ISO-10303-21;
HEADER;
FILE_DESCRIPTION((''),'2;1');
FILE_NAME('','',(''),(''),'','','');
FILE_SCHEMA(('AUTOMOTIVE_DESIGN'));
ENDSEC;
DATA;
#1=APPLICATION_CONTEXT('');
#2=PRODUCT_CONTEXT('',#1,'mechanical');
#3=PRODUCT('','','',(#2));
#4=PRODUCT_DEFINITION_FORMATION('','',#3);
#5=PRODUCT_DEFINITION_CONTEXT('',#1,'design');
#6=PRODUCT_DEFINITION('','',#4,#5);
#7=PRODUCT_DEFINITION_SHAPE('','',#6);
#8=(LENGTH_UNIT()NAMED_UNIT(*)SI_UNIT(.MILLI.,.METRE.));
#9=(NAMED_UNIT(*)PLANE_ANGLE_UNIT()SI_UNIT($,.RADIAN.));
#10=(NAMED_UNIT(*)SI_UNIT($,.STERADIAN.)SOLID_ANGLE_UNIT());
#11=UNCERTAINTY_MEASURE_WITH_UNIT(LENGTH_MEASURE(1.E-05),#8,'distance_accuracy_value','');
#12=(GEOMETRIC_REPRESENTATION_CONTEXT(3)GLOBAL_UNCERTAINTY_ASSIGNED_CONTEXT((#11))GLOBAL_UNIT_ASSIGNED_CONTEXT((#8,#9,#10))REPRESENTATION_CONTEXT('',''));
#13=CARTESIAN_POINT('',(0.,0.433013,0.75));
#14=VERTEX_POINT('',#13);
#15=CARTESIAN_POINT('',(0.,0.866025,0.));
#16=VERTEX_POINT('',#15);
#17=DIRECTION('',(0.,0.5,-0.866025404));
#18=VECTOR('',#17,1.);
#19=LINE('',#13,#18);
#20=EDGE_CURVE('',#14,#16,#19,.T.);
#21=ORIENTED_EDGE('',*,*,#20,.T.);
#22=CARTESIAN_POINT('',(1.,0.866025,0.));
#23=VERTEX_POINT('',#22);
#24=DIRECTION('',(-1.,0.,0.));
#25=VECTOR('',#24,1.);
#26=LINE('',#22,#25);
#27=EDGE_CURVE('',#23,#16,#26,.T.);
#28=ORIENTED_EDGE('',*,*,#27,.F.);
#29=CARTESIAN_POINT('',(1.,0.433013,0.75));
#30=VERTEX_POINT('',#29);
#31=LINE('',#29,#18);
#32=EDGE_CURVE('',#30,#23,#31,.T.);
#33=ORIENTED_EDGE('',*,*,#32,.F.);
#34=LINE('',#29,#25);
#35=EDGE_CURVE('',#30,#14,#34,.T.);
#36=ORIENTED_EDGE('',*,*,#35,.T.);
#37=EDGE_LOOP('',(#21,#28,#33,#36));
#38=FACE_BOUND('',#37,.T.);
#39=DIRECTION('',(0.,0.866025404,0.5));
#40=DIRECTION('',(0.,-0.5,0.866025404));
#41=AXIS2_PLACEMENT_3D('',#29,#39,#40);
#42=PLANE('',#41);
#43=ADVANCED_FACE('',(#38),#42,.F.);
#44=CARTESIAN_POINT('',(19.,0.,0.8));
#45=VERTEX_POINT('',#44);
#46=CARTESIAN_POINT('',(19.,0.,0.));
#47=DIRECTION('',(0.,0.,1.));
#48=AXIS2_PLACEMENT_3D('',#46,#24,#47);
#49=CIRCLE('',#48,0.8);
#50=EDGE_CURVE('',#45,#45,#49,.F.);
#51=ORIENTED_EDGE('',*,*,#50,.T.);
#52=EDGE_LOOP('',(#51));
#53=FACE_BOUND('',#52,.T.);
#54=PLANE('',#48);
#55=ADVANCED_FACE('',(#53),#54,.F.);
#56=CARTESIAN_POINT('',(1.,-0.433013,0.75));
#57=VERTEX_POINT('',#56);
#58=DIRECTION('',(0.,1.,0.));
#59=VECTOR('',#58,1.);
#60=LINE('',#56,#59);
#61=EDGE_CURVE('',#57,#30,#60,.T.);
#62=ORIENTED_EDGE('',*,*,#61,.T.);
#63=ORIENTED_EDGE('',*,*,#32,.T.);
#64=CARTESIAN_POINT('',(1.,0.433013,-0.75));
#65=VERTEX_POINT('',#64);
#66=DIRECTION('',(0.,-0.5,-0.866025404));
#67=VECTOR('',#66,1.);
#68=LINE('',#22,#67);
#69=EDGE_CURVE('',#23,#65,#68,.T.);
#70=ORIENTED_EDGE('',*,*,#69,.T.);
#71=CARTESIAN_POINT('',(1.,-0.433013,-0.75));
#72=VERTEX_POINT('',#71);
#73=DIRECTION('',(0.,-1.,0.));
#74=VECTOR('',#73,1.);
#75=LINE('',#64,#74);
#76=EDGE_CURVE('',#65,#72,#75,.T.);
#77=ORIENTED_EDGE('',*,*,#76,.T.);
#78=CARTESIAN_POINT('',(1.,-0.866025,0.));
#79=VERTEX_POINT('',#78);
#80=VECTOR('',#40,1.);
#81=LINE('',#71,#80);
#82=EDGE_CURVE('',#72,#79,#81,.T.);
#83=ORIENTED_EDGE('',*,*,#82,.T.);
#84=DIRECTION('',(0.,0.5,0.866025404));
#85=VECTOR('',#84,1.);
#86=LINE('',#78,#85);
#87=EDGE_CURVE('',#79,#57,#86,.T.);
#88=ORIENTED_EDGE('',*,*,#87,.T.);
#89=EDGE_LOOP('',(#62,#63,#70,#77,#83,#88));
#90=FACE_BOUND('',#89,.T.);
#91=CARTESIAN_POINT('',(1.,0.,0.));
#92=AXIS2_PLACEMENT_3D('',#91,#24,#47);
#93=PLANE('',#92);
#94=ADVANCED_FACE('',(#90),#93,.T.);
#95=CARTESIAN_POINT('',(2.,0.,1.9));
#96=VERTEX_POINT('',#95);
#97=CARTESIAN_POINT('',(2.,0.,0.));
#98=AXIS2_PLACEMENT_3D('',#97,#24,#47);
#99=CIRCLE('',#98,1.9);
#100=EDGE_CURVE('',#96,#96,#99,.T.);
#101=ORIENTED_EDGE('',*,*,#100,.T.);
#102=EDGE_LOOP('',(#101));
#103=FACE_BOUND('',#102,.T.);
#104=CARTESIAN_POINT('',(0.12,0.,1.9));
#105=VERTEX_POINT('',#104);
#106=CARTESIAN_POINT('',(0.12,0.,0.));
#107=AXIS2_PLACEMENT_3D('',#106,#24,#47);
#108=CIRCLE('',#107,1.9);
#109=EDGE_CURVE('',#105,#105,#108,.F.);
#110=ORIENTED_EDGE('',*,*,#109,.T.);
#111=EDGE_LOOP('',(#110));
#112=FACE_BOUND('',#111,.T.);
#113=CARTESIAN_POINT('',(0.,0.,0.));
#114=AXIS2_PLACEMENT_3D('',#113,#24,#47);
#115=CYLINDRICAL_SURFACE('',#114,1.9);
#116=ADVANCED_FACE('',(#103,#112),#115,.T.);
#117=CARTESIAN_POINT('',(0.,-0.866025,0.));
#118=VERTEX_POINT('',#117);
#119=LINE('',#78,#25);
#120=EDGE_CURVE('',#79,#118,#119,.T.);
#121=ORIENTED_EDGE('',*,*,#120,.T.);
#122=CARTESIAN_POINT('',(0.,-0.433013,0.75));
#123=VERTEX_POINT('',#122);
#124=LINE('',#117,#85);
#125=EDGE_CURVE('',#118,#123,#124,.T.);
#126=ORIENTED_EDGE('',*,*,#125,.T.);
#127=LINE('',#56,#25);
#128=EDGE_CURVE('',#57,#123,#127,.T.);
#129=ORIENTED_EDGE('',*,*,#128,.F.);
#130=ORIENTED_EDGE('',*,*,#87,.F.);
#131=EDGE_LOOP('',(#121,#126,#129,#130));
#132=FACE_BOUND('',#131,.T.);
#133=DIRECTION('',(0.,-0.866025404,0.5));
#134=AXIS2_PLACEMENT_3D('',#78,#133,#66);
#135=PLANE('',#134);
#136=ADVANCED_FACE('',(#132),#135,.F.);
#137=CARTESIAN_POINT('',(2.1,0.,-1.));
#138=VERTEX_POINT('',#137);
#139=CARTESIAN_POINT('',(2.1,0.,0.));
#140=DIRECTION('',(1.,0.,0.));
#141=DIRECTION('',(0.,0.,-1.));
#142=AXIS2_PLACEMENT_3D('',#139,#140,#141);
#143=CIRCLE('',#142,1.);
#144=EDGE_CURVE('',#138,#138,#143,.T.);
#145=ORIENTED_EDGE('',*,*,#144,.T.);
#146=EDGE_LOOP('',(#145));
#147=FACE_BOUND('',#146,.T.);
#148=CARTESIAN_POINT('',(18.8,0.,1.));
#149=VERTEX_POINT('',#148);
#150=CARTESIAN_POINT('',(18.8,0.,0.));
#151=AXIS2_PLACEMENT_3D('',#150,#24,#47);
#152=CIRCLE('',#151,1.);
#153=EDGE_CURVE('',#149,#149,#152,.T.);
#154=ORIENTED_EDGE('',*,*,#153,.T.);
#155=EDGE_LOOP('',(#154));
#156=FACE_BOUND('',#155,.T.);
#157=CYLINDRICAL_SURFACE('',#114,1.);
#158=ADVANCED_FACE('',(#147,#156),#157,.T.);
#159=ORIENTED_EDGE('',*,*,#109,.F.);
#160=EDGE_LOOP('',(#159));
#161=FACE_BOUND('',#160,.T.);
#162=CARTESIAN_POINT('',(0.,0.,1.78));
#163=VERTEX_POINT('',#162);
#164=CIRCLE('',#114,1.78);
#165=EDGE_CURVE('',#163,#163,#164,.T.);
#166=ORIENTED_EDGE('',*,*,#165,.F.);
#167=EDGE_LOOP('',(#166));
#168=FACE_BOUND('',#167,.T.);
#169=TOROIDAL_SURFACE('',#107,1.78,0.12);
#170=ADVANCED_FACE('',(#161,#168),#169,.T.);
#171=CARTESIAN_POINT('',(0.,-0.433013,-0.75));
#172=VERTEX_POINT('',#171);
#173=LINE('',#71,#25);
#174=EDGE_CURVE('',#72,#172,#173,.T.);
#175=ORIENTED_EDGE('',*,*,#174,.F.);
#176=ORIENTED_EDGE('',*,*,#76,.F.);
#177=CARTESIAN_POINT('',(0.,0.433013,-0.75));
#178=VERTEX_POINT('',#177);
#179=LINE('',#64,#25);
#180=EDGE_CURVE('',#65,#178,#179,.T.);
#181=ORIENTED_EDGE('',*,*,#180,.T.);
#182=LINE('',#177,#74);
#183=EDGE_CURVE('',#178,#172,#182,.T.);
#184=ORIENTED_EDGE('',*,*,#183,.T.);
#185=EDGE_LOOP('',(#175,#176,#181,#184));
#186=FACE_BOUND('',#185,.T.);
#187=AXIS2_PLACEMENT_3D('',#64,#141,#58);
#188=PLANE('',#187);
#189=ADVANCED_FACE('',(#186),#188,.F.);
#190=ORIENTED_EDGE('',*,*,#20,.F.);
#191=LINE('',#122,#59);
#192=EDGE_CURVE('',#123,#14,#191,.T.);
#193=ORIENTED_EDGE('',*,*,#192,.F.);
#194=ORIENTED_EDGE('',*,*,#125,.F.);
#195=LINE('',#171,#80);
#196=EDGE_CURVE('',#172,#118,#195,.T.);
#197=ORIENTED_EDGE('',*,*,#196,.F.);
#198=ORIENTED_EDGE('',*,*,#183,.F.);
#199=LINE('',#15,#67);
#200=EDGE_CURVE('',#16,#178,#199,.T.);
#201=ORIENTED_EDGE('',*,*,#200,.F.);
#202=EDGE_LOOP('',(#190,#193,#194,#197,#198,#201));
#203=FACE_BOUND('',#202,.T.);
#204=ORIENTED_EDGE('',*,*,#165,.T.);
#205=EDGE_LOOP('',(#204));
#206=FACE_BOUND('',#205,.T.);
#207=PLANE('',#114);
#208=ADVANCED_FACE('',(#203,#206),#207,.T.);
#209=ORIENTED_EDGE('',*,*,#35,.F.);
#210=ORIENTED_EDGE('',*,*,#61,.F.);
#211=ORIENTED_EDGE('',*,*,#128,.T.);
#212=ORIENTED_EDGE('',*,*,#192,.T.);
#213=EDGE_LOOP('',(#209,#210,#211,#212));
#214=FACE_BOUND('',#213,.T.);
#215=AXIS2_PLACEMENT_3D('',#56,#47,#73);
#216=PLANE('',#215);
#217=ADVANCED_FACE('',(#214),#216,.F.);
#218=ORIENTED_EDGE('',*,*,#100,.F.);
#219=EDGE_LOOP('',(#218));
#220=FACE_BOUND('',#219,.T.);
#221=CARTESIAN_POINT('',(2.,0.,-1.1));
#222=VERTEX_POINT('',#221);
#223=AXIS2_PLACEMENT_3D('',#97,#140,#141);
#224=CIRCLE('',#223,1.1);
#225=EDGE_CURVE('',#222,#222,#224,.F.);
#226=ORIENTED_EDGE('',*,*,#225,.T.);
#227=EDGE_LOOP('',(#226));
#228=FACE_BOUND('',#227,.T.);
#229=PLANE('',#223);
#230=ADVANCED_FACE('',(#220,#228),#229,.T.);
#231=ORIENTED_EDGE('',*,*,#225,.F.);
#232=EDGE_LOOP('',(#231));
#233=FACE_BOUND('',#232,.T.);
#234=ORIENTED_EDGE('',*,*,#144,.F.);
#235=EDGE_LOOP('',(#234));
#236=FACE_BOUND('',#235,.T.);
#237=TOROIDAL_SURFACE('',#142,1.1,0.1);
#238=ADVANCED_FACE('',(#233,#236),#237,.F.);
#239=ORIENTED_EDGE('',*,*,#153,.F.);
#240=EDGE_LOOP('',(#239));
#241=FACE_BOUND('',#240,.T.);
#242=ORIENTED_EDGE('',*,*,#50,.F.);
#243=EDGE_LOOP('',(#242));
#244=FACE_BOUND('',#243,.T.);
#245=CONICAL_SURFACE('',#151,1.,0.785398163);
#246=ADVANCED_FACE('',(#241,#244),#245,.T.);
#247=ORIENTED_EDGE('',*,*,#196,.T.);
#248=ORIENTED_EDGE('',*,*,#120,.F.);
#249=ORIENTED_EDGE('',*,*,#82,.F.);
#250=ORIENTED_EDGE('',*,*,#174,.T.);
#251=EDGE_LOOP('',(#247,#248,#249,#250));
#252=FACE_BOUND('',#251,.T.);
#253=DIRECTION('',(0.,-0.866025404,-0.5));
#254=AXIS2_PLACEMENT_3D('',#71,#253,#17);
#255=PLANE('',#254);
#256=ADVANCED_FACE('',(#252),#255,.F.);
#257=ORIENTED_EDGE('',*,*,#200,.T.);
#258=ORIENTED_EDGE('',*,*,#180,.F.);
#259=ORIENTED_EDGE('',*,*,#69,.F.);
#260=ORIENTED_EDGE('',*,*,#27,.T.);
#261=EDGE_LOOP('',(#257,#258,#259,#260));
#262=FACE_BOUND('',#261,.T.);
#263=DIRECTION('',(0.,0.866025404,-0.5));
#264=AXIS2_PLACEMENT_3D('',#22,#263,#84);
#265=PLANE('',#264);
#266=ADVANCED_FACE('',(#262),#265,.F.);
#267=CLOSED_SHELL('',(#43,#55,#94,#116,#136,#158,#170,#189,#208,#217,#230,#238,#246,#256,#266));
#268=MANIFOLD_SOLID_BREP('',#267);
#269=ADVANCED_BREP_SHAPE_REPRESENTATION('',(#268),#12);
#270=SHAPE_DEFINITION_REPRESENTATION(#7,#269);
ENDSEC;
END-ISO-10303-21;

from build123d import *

# Parameters (mm, degrees)
FILLET1_R      = 0.1
FILLET2_R      = 0.12
CHAMFER1_SIZE  = 0.2
EXTRUDE1_DEPTH = 1


with BuildPart() as part:
    # Sketch1 → Revolve1 (revolve)
    with BuildSketch(Plane.XY, mode=Mode.PRIVATE) as revolve1_sk:
        Polygon((2, 1), (2, 0), (4.279914881, 0), (19, 0), (19, 1), align=None)
        Polygon((0, 1.9), (0, 0), (2, 0), (2, 1), (2, 1.9), align=None)
    revolve(revolve1_sk.sketch.rotate(Axis((0, 0, 0), (1, 0, 0)), 90), axis=Axis((0, 0, 0), (1, 0, 0)))

    # Fillet1
    fillet1_edges = [part.edges().sort_by_distance(p)[0] for p in [
        (2, 0, -1),
    ]]
    fillet(fillet1_edges, radius=FILLET1_R)

    # Fillet2
    fillet2_edges = [part.edges().sort_by_distance(p)[0] for p in [
        (0, 0, -1.9),
    ]]
    fillet(fillet2_edges, radius=FILLET2_R)

    # Chamfer1
    chamfer1_edges = [part.edges().sort_by_distance(p)[0] for p in [
        (19, 0, -1),
    ]]
    chamfer(chamfer1_edges, length=CHAMFER1_SIZE)

    # Sketch2 → Extrude1 (cut)
    with BuildSketch(Plane.ZY):
        Polygon((0, 0.866025404), (-0.75, 0.433012702), (-0.75, -0.433012702), (0, -0.866025404), (0.75, -0.433012702), (0.75, 0.433012702), align=None)
    extrude(amount=-EXTRUDE1_DEPTH, mode=Mode.SUBTRACT)


solid = part.part
